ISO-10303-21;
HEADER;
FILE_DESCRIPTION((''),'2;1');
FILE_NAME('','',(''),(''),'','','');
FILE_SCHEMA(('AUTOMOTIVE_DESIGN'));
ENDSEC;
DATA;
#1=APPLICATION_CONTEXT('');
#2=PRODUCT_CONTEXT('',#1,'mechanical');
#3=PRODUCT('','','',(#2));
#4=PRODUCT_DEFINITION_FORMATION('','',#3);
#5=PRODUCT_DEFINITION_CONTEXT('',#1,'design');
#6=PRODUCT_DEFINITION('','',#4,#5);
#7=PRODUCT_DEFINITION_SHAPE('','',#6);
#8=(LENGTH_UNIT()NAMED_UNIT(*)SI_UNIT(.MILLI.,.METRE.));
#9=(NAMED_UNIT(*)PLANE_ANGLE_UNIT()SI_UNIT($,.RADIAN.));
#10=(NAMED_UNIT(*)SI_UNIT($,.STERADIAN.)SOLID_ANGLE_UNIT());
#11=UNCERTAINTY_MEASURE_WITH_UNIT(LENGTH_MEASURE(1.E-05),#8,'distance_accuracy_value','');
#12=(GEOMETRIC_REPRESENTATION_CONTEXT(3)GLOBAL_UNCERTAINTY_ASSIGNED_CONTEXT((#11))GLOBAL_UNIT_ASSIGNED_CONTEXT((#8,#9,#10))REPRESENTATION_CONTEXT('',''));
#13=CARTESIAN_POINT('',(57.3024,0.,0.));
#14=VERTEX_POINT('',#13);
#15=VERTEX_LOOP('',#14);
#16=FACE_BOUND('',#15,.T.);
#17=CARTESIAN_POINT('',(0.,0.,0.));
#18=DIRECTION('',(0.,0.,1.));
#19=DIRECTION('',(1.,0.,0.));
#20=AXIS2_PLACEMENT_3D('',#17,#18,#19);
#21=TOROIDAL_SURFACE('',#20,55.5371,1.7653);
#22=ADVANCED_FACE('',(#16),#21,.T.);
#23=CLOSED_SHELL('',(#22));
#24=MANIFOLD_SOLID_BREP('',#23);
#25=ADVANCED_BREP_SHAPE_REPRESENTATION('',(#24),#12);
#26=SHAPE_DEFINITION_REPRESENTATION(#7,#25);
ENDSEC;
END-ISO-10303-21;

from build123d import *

# Parameters (mm, degrees)
SKETCH1_R = 1.7653


with BuildPart() as part:
    # Sketch1 → Revolve1 (revolve)
    with BuildSketch(Plane(origin=(0, 0, 0), x_dir=(0, -1, 0), z_dir=(1, 0, 0))):
        with Locations((55.5371, 0)):
            Circle(SKETCH1_R)
    revolve(axis=Axis((0, 0, 1.7653), (0, 0, -1)))


solid = part.part
